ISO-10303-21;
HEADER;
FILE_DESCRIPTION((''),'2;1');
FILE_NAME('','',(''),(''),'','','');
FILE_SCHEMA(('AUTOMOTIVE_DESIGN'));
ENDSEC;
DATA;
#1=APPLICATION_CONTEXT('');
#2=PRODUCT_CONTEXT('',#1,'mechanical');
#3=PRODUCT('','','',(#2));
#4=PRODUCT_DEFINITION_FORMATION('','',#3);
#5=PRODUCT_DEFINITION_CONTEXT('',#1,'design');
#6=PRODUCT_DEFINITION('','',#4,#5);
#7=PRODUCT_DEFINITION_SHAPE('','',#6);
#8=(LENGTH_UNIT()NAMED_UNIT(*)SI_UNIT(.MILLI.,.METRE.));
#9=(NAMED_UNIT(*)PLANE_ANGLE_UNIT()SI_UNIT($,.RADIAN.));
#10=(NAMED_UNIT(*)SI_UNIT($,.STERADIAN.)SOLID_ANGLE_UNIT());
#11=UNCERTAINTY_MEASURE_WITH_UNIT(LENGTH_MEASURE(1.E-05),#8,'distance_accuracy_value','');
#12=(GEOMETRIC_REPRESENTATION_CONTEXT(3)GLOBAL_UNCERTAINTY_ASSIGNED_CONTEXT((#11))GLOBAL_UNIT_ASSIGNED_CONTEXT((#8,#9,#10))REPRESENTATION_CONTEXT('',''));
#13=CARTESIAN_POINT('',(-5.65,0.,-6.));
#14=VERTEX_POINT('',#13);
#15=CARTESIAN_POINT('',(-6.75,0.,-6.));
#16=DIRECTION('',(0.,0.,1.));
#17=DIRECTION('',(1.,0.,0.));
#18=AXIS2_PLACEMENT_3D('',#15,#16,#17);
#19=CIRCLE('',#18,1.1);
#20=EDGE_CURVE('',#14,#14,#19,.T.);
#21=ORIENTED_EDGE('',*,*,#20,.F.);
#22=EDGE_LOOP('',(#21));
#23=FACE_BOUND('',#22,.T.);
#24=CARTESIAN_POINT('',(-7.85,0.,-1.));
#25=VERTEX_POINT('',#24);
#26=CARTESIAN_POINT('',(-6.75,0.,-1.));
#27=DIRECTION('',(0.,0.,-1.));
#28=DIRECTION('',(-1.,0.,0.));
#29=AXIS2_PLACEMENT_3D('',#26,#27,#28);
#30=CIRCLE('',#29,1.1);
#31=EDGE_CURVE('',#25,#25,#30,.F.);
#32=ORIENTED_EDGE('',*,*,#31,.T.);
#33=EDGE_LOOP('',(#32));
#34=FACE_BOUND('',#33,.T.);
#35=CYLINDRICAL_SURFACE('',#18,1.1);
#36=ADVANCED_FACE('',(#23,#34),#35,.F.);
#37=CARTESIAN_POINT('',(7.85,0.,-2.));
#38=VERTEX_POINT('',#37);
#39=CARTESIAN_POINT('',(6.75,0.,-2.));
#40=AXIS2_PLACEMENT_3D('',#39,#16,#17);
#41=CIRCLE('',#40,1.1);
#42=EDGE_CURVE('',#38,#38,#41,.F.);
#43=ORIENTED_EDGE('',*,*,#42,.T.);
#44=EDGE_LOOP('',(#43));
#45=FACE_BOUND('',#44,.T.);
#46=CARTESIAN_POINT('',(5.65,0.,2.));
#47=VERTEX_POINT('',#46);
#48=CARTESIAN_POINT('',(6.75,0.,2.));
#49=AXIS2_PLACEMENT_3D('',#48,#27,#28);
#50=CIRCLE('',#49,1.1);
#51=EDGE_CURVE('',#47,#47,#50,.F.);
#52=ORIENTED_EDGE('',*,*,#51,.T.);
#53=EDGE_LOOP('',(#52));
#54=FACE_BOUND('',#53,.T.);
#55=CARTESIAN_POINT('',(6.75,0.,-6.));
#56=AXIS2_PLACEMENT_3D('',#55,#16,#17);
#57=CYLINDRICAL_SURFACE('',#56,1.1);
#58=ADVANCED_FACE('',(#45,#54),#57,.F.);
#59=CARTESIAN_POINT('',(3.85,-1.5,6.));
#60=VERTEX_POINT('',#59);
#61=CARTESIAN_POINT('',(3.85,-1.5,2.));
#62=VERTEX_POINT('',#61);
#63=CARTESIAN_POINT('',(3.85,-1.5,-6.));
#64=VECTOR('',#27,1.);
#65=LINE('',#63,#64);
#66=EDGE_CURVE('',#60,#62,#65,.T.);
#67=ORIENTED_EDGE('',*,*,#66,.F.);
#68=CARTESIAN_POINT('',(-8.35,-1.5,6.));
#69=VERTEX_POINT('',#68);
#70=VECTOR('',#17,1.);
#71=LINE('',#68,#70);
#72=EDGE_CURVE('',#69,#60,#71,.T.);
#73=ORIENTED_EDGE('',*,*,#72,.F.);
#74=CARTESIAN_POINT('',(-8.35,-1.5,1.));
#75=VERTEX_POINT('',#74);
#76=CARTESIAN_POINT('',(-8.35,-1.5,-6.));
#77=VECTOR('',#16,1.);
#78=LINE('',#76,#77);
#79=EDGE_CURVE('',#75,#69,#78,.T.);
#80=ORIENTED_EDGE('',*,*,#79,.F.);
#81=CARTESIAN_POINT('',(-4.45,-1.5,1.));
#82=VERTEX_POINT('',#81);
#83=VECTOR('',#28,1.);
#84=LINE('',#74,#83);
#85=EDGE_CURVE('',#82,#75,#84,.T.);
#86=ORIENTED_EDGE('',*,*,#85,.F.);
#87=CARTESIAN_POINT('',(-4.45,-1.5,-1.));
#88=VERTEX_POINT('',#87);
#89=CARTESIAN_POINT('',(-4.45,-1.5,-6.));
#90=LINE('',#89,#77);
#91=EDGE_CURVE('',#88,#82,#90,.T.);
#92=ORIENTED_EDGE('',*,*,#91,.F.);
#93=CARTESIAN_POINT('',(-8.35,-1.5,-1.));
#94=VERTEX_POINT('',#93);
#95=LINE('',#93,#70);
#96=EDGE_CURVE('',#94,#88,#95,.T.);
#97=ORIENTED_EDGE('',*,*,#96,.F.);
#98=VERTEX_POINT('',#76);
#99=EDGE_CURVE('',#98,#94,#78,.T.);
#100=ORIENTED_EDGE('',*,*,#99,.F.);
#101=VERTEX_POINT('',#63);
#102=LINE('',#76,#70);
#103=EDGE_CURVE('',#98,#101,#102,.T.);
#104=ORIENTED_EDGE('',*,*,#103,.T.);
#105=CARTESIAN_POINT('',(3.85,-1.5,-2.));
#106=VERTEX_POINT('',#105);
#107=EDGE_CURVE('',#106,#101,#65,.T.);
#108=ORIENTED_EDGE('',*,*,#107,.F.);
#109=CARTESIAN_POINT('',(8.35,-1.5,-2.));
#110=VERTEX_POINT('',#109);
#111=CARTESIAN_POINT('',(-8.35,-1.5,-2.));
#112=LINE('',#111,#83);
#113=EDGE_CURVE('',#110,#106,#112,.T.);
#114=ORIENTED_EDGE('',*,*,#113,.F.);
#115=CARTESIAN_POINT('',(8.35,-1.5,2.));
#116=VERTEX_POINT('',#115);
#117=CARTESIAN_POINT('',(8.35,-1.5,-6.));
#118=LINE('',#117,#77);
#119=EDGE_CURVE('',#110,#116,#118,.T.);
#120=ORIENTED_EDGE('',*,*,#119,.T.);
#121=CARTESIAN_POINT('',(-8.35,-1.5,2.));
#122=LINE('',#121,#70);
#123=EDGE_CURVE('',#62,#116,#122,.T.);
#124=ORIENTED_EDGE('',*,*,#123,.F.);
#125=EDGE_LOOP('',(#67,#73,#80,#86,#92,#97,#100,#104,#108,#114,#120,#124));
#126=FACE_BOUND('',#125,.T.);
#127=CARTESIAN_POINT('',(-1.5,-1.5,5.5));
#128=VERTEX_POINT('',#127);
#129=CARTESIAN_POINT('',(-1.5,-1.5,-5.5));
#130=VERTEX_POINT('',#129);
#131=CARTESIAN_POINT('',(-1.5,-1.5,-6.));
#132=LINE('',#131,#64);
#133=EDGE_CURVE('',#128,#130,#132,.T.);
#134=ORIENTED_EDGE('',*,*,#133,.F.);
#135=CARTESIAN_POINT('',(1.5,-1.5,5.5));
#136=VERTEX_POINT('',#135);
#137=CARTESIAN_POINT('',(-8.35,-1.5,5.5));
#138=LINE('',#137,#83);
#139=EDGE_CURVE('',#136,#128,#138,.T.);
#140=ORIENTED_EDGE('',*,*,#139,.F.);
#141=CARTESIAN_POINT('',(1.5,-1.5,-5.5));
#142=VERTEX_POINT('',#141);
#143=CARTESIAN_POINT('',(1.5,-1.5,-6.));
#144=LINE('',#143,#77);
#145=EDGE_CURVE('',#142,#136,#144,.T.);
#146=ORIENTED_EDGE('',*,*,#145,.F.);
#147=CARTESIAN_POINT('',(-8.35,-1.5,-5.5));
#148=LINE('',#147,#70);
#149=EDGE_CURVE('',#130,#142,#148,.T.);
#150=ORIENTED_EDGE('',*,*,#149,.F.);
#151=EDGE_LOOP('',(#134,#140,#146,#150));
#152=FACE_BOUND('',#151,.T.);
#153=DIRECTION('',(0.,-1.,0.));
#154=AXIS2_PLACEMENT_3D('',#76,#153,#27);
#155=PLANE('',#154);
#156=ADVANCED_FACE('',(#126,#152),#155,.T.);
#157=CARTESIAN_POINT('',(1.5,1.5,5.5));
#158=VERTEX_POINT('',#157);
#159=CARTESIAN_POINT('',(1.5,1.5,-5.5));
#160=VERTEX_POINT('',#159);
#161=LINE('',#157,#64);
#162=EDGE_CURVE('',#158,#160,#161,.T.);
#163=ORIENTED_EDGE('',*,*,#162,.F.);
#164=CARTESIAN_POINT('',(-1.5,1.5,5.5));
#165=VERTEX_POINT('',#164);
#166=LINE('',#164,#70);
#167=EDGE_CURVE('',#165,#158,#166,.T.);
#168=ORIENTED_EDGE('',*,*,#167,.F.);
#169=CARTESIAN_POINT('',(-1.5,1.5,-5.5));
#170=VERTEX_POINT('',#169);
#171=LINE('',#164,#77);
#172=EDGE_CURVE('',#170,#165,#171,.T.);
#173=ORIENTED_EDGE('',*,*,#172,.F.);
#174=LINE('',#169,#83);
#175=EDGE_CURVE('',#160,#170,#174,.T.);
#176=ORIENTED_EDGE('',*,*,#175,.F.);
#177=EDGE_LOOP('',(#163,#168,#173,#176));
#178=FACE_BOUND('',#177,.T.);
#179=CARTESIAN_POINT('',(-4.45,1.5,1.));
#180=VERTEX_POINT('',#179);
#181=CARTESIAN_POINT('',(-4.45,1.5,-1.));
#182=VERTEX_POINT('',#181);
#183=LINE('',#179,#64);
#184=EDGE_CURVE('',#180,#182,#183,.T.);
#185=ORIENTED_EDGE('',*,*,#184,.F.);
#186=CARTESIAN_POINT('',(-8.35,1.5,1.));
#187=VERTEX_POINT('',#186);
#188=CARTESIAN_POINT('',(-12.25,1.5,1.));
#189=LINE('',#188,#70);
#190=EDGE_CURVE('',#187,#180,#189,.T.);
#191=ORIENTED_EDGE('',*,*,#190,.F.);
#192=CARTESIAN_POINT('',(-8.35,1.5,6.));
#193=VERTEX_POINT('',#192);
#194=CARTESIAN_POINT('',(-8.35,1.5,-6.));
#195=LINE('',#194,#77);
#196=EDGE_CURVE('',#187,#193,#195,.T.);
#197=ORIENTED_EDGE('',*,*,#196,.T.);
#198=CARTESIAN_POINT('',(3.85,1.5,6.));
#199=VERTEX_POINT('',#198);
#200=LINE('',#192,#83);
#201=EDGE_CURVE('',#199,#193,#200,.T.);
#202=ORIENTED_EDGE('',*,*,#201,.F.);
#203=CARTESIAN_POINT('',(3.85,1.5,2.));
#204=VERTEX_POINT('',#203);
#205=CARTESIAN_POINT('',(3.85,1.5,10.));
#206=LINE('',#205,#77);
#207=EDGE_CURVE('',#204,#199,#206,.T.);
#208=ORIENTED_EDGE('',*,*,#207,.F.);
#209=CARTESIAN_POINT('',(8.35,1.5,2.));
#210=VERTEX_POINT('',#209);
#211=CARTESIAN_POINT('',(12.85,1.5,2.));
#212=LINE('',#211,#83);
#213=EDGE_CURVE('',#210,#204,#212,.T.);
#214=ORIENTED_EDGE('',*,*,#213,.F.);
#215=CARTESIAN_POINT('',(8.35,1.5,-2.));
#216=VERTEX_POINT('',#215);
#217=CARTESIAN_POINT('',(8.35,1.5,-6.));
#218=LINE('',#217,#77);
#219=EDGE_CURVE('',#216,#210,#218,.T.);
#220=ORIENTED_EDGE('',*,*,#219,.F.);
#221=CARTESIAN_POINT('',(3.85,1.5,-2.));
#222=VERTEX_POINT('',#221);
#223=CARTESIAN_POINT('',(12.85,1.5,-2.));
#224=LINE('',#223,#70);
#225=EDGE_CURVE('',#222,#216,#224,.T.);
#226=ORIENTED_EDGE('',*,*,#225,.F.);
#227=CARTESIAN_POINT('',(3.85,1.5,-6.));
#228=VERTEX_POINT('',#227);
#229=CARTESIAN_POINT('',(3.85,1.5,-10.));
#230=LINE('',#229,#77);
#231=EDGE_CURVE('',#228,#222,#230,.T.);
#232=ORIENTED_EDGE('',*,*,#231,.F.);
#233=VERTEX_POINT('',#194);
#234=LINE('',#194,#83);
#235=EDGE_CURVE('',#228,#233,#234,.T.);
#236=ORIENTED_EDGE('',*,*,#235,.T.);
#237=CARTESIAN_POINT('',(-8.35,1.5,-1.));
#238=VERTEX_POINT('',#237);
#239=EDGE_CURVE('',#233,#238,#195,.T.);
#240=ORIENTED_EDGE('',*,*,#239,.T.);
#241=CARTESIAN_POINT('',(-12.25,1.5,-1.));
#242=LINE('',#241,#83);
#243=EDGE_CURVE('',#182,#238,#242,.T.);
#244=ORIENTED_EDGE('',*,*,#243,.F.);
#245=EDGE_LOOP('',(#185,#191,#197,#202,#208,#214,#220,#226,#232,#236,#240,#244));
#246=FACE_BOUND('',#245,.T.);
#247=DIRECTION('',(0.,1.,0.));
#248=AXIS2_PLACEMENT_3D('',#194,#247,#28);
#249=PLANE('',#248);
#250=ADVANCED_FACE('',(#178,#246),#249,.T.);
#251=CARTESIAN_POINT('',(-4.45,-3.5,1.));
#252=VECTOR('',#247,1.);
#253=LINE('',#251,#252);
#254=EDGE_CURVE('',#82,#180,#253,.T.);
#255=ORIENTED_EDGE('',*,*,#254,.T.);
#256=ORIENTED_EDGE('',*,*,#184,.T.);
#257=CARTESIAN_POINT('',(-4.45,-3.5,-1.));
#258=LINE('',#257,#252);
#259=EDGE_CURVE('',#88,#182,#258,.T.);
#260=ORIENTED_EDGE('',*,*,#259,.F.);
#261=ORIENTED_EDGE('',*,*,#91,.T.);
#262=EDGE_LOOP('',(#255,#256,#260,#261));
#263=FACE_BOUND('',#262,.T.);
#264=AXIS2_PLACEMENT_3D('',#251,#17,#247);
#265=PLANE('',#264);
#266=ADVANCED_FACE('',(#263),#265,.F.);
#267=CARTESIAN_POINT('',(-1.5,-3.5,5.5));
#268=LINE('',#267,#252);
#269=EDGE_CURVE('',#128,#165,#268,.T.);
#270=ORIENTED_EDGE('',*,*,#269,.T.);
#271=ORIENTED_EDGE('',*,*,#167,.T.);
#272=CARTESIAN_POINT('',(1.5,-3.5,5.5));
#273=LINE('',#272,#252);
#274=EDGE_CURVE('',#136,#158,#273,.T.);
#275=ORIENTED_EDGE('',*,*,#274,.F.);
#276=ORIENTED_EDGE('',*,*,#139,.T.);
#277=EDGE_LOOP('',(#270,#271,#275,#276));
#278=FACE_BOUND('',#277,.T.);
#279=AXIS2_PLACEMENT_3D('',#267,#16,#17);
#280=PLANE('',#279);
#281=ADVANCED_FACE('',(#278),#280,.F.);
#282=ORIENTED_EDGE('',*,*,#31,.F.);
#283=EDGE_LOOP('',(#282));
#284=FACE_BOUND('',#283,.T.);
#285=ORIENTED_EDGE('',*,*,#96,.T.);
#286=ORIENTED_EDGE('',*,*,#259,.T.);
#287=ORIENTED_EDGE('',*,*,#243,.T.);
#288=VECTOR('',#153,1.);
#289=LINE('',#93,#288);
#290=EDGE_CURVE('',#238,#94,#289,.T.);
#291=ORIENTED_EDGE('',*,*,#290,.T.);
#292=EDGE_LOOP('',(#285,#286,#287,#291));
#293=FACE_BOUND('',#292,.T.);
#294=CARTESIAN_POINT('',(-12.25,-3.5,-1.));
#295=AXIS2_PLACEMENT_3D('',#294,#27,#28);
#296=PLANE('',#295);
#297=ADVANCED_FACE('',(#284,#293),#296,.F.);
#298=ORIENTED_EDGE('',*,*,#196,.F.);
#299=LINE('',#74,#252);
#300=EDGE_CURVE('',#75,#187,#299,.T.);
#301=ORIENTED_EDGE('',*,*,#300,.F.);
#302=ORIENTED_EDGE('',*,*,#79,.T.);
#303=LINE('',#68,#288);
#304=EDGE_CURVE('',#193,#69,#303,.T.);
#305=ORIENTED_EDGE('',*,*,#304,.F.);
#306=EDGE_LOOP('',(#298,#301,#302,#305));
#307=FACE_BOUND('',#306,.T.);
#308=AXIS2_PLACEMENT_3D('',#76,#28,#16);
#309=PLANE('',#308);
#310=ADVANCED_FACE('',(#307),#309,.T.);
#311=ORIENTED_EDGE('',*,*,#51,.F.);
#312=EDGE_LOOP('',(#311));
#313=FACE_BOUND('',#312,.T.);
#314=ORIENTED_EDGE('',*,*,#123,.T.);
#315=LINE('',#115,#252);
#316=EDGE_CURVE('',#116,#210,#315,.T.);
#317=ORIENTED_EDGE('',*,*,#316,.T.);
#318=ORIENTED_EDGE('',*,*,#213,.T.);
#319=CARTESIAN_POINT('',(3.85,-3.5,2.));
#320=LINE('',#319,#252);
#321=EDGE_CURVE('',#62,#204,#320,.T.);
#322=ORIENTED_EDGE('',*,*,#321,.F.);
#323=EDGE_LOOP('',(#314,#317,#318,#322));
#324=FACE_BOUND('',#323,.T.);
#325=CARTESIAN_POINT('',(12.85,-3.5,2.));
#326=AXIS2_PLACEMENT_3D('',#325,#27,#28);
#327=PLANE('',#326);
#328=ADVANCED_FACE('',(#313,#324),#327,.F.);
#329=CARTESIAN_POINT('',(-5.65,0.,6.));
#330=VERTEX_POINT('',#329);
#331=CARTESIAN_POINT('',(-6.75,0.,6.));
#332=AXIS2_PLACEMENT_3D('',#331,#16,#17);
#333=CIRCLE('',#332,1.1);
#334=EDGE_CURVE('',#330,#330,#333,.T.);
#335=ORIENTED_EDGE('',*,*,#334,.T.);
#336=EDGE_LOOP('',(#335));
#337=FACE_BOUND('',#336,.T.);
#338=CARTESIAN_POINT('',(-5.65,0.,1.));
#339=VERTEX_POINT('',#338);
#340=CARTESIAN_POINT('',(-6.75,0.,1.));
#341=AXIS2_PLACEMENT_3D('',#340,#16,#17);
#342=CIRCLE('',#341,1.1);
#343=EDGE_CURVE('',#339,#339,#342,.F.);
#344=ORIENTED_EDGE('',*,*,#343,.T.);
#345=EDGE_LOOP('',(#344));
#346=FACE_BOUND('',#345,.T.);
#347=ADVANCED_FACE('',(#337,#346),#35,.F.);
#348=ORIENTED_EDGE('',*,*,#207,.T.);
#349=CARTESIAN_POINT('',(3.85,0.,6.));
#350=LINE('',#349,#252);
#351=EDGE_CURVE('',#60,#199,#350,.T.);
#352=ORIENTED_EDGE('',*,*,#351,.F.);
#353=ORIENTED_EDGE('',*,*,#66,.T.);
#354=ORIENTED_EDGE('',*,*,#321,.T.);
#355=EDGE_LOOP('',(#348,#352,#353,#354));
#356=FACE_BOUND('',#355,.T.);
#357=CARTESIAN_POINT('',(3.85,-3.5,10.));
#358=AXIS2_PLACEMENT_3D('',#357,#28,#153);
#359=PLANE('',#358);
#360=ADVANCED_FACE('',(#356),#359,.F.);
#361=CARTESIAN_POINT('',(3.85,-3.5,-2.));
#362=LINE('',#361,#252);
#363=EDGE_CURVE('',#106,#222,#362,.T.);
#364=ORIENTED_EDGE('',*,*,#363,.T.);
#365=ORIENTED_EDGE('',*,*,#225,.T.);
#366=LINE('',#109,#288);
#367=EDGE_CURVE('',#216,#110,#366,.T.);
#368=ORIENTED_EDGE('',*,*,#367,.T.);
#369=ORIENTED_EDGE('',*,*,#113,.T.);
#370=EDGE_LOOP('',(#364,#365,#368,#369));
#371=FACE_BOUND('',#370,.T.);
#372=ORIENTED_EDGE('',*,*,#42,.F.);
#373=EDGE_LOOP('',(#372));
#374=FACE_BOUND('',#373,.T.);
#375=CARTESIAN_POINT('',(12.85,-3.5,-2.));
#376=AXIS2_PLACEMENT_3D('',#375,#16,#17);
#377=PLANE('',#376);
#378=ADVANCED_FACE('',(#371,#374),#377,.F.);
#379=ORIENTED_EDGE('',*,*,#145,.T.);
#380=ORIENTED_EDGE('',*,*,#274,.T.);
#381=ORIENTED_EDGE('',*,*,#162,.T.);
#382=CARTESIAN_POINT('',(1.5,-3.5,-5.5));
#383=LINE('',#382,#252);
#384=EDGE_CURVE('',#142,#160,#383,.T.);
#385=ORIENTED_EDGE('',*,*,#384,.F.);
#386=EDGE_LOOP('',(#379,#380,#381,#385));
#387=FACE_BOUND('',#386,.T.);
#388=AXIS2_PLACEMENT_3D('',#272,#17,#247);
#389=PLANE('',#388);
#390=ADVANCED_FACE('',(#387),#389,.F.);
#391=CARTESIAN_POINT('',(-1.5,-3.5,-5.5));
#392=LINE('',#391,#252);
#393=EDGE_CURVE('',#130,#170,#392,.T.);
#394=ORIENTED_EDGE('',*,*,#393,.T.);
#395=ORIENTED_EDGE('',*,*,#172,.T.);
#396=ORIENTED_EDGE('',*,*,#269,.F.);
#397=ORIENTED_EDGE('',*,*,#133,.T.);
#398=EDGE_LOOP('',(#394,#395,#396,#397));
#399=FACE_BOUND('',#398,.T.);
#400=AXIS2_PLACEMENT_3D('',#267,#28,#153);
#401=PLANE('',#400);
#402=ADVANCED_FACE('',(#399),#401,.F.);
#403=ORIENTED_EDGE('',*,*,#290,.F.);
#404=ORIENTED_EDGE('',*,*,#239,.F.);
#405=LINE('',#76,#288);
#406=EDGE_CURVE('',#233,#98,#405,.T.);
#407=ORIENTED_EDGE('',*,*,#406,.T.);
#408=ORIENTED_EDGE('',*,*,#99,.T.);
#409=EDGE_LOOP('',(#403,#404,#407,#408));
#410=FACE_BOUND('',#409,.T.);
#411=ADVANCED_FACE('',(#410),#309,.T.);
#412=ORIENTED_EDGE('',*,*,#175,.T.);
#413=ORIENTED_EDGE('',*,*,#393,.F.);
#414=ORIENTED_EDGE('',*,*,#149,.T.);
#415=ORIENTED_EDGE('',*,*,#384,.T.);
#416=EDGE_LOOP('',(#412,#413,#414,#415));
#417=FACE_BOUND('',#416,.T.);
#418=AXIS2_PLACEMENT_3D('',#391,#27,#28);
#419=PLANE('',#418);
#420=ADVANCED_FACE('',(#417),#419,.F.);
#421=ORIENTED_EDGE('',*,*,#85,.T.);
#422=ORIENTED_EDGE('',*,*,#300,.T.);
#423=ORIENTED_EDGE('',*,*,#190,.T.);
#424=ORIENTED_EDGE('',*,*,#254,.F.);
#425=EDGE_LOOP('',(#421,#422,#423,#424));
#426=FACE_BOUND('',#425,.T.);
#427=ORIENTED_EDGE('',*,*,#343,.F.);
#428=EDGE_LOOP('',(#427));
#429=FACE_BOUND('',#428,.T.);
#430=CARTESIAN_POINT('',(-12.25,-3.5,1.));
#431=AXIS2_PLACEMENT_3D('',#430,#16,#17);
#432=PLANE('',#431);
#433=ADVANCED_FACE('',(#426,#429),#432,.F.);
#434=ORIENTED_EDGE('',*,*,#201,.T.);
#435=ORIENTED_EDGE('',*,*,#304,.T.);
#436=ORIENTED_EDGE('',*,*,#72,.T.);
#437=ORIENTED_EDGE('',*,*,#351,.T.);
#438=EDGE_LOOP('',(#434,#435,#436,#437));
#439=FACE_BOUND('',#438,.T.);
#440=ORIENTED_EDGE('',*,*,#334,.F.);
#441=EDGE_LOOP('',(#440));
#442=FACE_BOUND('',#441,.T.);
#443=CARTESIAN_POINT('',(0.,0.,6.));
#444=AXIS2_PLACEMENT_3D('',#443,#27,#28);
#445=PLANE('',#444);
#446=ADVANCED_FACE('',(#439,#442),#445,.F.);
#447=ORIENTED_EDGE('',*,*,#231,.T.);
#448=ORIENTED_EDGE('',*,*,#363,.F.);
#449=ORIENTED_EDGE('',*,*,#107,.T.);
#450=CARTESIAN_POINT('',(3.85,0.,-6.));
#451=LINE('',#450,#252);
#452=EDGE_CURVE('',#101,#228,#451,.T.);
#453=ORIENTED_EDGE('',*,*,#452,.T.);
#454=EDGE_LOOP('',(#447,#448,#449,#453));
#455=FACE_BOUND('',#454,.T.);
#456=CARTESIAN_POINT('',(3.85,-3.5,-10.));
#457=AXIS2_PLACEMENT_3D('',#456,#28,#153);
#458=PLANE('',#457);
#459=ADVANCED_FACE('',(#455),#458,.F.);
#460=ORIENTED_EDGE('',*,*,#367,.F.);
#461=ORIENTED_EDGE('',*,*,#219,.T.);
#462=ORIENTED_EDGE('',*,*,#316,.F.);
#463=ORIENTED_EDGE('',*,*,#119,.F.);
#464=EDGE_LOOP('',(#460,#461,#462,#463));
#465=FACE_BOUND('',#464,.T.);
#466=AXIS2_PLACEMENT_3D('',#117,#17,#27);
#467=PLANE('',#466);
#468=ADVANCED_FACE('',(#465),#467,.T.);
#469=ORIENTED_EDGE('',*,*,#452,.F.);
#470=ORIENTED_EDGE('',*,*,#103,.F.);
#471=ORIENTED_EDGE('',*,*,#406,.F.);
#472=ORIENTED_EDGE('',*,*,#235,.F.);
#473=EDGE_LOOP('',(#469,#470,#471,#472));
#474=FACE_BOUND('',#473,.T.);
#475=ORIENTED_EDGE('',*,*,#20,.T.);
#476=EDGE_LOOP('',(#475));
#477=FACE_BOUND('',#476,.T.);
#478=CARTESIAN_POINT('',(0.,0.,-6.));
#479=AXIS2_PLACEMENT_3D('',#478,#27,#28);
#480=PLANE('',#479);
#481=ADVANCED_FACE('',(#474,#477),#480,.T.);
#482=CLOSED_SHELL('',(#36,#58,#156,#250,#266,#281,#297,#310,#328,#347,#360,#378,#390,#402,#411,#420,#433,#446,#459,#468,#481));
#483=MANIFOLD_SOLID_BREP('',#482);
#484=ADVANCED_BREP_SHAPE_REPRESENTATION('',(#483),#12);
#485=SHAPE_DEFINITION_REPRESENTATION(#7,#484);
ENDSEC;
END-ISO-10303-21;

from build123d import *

# Parameters (mm, degrees)
BOSS_EXTRUDE1_DEPTH      = 6
BOSS_EXTRUDE1_DEPTH_BACK = 6
SKETCH1_W                = 16.7
SKETCH1_H                = 3
SKETCH1_R                = 1.1
SKETCH2_W                = 3
SKETCH2_H                = 11
SKETCH2_W_2              = 9
SKETCH2_H_2              = 8
SKETCH2_W_3              = 7.8
SKETCH2_H_3              = 2
CUT_EXTRUDE1_DEPTH       = 5


with BuildPart() as part:
    # Sketch1 → Boss-Extrude1 (new, two sides: drawn at the far end of the back side and taken through both)
    with BuildSketch(Plane.XY.offset(-BOSS_EXTRUDE1_DEPTH_BACK)):
        Rectangle(SKETCH1_W, SKETCH1_H)
        with Locations((-6.75, 0)):
            Circle(SKETCH1_R, mode=Mode.SUBTRACT)
        with Locations((6.75, 0)):
            Circle(SKETCH1_R, mode=Mode.SUBTRACT)
    extrude(amount=BOSS_EXTRUDE1_DEPTH + BOSS_EXTRUDE1_DEPTH_BACK)

    # Sketch2 → Cut-Extrude1 (cut)
    with BuildSketch(Plane(origin=(0, 1.5, 0), x_dir=(1, 0, 0), z_dir=(0, 1, 0))):
        Rectangle(SKETCH2_W, SKETCH2_H)
        with Locations((8.35, -6)):
            Rectangle(SKETCH2_W_2, SKETCH2_H_2)
        with Locations((8.35, 6)):
            Rectangle(SKETCH2_W_2, SKETCH2_H_2)
        with Locations((-8.35, 0)):
            Rectangle(SKETCH2_W_3, SKETCH2_H_3)
    extrude(amount=-CUT_EXTRUDE1_DEPTH, mode=Mode.SUBTRACT)


solid = part.part
